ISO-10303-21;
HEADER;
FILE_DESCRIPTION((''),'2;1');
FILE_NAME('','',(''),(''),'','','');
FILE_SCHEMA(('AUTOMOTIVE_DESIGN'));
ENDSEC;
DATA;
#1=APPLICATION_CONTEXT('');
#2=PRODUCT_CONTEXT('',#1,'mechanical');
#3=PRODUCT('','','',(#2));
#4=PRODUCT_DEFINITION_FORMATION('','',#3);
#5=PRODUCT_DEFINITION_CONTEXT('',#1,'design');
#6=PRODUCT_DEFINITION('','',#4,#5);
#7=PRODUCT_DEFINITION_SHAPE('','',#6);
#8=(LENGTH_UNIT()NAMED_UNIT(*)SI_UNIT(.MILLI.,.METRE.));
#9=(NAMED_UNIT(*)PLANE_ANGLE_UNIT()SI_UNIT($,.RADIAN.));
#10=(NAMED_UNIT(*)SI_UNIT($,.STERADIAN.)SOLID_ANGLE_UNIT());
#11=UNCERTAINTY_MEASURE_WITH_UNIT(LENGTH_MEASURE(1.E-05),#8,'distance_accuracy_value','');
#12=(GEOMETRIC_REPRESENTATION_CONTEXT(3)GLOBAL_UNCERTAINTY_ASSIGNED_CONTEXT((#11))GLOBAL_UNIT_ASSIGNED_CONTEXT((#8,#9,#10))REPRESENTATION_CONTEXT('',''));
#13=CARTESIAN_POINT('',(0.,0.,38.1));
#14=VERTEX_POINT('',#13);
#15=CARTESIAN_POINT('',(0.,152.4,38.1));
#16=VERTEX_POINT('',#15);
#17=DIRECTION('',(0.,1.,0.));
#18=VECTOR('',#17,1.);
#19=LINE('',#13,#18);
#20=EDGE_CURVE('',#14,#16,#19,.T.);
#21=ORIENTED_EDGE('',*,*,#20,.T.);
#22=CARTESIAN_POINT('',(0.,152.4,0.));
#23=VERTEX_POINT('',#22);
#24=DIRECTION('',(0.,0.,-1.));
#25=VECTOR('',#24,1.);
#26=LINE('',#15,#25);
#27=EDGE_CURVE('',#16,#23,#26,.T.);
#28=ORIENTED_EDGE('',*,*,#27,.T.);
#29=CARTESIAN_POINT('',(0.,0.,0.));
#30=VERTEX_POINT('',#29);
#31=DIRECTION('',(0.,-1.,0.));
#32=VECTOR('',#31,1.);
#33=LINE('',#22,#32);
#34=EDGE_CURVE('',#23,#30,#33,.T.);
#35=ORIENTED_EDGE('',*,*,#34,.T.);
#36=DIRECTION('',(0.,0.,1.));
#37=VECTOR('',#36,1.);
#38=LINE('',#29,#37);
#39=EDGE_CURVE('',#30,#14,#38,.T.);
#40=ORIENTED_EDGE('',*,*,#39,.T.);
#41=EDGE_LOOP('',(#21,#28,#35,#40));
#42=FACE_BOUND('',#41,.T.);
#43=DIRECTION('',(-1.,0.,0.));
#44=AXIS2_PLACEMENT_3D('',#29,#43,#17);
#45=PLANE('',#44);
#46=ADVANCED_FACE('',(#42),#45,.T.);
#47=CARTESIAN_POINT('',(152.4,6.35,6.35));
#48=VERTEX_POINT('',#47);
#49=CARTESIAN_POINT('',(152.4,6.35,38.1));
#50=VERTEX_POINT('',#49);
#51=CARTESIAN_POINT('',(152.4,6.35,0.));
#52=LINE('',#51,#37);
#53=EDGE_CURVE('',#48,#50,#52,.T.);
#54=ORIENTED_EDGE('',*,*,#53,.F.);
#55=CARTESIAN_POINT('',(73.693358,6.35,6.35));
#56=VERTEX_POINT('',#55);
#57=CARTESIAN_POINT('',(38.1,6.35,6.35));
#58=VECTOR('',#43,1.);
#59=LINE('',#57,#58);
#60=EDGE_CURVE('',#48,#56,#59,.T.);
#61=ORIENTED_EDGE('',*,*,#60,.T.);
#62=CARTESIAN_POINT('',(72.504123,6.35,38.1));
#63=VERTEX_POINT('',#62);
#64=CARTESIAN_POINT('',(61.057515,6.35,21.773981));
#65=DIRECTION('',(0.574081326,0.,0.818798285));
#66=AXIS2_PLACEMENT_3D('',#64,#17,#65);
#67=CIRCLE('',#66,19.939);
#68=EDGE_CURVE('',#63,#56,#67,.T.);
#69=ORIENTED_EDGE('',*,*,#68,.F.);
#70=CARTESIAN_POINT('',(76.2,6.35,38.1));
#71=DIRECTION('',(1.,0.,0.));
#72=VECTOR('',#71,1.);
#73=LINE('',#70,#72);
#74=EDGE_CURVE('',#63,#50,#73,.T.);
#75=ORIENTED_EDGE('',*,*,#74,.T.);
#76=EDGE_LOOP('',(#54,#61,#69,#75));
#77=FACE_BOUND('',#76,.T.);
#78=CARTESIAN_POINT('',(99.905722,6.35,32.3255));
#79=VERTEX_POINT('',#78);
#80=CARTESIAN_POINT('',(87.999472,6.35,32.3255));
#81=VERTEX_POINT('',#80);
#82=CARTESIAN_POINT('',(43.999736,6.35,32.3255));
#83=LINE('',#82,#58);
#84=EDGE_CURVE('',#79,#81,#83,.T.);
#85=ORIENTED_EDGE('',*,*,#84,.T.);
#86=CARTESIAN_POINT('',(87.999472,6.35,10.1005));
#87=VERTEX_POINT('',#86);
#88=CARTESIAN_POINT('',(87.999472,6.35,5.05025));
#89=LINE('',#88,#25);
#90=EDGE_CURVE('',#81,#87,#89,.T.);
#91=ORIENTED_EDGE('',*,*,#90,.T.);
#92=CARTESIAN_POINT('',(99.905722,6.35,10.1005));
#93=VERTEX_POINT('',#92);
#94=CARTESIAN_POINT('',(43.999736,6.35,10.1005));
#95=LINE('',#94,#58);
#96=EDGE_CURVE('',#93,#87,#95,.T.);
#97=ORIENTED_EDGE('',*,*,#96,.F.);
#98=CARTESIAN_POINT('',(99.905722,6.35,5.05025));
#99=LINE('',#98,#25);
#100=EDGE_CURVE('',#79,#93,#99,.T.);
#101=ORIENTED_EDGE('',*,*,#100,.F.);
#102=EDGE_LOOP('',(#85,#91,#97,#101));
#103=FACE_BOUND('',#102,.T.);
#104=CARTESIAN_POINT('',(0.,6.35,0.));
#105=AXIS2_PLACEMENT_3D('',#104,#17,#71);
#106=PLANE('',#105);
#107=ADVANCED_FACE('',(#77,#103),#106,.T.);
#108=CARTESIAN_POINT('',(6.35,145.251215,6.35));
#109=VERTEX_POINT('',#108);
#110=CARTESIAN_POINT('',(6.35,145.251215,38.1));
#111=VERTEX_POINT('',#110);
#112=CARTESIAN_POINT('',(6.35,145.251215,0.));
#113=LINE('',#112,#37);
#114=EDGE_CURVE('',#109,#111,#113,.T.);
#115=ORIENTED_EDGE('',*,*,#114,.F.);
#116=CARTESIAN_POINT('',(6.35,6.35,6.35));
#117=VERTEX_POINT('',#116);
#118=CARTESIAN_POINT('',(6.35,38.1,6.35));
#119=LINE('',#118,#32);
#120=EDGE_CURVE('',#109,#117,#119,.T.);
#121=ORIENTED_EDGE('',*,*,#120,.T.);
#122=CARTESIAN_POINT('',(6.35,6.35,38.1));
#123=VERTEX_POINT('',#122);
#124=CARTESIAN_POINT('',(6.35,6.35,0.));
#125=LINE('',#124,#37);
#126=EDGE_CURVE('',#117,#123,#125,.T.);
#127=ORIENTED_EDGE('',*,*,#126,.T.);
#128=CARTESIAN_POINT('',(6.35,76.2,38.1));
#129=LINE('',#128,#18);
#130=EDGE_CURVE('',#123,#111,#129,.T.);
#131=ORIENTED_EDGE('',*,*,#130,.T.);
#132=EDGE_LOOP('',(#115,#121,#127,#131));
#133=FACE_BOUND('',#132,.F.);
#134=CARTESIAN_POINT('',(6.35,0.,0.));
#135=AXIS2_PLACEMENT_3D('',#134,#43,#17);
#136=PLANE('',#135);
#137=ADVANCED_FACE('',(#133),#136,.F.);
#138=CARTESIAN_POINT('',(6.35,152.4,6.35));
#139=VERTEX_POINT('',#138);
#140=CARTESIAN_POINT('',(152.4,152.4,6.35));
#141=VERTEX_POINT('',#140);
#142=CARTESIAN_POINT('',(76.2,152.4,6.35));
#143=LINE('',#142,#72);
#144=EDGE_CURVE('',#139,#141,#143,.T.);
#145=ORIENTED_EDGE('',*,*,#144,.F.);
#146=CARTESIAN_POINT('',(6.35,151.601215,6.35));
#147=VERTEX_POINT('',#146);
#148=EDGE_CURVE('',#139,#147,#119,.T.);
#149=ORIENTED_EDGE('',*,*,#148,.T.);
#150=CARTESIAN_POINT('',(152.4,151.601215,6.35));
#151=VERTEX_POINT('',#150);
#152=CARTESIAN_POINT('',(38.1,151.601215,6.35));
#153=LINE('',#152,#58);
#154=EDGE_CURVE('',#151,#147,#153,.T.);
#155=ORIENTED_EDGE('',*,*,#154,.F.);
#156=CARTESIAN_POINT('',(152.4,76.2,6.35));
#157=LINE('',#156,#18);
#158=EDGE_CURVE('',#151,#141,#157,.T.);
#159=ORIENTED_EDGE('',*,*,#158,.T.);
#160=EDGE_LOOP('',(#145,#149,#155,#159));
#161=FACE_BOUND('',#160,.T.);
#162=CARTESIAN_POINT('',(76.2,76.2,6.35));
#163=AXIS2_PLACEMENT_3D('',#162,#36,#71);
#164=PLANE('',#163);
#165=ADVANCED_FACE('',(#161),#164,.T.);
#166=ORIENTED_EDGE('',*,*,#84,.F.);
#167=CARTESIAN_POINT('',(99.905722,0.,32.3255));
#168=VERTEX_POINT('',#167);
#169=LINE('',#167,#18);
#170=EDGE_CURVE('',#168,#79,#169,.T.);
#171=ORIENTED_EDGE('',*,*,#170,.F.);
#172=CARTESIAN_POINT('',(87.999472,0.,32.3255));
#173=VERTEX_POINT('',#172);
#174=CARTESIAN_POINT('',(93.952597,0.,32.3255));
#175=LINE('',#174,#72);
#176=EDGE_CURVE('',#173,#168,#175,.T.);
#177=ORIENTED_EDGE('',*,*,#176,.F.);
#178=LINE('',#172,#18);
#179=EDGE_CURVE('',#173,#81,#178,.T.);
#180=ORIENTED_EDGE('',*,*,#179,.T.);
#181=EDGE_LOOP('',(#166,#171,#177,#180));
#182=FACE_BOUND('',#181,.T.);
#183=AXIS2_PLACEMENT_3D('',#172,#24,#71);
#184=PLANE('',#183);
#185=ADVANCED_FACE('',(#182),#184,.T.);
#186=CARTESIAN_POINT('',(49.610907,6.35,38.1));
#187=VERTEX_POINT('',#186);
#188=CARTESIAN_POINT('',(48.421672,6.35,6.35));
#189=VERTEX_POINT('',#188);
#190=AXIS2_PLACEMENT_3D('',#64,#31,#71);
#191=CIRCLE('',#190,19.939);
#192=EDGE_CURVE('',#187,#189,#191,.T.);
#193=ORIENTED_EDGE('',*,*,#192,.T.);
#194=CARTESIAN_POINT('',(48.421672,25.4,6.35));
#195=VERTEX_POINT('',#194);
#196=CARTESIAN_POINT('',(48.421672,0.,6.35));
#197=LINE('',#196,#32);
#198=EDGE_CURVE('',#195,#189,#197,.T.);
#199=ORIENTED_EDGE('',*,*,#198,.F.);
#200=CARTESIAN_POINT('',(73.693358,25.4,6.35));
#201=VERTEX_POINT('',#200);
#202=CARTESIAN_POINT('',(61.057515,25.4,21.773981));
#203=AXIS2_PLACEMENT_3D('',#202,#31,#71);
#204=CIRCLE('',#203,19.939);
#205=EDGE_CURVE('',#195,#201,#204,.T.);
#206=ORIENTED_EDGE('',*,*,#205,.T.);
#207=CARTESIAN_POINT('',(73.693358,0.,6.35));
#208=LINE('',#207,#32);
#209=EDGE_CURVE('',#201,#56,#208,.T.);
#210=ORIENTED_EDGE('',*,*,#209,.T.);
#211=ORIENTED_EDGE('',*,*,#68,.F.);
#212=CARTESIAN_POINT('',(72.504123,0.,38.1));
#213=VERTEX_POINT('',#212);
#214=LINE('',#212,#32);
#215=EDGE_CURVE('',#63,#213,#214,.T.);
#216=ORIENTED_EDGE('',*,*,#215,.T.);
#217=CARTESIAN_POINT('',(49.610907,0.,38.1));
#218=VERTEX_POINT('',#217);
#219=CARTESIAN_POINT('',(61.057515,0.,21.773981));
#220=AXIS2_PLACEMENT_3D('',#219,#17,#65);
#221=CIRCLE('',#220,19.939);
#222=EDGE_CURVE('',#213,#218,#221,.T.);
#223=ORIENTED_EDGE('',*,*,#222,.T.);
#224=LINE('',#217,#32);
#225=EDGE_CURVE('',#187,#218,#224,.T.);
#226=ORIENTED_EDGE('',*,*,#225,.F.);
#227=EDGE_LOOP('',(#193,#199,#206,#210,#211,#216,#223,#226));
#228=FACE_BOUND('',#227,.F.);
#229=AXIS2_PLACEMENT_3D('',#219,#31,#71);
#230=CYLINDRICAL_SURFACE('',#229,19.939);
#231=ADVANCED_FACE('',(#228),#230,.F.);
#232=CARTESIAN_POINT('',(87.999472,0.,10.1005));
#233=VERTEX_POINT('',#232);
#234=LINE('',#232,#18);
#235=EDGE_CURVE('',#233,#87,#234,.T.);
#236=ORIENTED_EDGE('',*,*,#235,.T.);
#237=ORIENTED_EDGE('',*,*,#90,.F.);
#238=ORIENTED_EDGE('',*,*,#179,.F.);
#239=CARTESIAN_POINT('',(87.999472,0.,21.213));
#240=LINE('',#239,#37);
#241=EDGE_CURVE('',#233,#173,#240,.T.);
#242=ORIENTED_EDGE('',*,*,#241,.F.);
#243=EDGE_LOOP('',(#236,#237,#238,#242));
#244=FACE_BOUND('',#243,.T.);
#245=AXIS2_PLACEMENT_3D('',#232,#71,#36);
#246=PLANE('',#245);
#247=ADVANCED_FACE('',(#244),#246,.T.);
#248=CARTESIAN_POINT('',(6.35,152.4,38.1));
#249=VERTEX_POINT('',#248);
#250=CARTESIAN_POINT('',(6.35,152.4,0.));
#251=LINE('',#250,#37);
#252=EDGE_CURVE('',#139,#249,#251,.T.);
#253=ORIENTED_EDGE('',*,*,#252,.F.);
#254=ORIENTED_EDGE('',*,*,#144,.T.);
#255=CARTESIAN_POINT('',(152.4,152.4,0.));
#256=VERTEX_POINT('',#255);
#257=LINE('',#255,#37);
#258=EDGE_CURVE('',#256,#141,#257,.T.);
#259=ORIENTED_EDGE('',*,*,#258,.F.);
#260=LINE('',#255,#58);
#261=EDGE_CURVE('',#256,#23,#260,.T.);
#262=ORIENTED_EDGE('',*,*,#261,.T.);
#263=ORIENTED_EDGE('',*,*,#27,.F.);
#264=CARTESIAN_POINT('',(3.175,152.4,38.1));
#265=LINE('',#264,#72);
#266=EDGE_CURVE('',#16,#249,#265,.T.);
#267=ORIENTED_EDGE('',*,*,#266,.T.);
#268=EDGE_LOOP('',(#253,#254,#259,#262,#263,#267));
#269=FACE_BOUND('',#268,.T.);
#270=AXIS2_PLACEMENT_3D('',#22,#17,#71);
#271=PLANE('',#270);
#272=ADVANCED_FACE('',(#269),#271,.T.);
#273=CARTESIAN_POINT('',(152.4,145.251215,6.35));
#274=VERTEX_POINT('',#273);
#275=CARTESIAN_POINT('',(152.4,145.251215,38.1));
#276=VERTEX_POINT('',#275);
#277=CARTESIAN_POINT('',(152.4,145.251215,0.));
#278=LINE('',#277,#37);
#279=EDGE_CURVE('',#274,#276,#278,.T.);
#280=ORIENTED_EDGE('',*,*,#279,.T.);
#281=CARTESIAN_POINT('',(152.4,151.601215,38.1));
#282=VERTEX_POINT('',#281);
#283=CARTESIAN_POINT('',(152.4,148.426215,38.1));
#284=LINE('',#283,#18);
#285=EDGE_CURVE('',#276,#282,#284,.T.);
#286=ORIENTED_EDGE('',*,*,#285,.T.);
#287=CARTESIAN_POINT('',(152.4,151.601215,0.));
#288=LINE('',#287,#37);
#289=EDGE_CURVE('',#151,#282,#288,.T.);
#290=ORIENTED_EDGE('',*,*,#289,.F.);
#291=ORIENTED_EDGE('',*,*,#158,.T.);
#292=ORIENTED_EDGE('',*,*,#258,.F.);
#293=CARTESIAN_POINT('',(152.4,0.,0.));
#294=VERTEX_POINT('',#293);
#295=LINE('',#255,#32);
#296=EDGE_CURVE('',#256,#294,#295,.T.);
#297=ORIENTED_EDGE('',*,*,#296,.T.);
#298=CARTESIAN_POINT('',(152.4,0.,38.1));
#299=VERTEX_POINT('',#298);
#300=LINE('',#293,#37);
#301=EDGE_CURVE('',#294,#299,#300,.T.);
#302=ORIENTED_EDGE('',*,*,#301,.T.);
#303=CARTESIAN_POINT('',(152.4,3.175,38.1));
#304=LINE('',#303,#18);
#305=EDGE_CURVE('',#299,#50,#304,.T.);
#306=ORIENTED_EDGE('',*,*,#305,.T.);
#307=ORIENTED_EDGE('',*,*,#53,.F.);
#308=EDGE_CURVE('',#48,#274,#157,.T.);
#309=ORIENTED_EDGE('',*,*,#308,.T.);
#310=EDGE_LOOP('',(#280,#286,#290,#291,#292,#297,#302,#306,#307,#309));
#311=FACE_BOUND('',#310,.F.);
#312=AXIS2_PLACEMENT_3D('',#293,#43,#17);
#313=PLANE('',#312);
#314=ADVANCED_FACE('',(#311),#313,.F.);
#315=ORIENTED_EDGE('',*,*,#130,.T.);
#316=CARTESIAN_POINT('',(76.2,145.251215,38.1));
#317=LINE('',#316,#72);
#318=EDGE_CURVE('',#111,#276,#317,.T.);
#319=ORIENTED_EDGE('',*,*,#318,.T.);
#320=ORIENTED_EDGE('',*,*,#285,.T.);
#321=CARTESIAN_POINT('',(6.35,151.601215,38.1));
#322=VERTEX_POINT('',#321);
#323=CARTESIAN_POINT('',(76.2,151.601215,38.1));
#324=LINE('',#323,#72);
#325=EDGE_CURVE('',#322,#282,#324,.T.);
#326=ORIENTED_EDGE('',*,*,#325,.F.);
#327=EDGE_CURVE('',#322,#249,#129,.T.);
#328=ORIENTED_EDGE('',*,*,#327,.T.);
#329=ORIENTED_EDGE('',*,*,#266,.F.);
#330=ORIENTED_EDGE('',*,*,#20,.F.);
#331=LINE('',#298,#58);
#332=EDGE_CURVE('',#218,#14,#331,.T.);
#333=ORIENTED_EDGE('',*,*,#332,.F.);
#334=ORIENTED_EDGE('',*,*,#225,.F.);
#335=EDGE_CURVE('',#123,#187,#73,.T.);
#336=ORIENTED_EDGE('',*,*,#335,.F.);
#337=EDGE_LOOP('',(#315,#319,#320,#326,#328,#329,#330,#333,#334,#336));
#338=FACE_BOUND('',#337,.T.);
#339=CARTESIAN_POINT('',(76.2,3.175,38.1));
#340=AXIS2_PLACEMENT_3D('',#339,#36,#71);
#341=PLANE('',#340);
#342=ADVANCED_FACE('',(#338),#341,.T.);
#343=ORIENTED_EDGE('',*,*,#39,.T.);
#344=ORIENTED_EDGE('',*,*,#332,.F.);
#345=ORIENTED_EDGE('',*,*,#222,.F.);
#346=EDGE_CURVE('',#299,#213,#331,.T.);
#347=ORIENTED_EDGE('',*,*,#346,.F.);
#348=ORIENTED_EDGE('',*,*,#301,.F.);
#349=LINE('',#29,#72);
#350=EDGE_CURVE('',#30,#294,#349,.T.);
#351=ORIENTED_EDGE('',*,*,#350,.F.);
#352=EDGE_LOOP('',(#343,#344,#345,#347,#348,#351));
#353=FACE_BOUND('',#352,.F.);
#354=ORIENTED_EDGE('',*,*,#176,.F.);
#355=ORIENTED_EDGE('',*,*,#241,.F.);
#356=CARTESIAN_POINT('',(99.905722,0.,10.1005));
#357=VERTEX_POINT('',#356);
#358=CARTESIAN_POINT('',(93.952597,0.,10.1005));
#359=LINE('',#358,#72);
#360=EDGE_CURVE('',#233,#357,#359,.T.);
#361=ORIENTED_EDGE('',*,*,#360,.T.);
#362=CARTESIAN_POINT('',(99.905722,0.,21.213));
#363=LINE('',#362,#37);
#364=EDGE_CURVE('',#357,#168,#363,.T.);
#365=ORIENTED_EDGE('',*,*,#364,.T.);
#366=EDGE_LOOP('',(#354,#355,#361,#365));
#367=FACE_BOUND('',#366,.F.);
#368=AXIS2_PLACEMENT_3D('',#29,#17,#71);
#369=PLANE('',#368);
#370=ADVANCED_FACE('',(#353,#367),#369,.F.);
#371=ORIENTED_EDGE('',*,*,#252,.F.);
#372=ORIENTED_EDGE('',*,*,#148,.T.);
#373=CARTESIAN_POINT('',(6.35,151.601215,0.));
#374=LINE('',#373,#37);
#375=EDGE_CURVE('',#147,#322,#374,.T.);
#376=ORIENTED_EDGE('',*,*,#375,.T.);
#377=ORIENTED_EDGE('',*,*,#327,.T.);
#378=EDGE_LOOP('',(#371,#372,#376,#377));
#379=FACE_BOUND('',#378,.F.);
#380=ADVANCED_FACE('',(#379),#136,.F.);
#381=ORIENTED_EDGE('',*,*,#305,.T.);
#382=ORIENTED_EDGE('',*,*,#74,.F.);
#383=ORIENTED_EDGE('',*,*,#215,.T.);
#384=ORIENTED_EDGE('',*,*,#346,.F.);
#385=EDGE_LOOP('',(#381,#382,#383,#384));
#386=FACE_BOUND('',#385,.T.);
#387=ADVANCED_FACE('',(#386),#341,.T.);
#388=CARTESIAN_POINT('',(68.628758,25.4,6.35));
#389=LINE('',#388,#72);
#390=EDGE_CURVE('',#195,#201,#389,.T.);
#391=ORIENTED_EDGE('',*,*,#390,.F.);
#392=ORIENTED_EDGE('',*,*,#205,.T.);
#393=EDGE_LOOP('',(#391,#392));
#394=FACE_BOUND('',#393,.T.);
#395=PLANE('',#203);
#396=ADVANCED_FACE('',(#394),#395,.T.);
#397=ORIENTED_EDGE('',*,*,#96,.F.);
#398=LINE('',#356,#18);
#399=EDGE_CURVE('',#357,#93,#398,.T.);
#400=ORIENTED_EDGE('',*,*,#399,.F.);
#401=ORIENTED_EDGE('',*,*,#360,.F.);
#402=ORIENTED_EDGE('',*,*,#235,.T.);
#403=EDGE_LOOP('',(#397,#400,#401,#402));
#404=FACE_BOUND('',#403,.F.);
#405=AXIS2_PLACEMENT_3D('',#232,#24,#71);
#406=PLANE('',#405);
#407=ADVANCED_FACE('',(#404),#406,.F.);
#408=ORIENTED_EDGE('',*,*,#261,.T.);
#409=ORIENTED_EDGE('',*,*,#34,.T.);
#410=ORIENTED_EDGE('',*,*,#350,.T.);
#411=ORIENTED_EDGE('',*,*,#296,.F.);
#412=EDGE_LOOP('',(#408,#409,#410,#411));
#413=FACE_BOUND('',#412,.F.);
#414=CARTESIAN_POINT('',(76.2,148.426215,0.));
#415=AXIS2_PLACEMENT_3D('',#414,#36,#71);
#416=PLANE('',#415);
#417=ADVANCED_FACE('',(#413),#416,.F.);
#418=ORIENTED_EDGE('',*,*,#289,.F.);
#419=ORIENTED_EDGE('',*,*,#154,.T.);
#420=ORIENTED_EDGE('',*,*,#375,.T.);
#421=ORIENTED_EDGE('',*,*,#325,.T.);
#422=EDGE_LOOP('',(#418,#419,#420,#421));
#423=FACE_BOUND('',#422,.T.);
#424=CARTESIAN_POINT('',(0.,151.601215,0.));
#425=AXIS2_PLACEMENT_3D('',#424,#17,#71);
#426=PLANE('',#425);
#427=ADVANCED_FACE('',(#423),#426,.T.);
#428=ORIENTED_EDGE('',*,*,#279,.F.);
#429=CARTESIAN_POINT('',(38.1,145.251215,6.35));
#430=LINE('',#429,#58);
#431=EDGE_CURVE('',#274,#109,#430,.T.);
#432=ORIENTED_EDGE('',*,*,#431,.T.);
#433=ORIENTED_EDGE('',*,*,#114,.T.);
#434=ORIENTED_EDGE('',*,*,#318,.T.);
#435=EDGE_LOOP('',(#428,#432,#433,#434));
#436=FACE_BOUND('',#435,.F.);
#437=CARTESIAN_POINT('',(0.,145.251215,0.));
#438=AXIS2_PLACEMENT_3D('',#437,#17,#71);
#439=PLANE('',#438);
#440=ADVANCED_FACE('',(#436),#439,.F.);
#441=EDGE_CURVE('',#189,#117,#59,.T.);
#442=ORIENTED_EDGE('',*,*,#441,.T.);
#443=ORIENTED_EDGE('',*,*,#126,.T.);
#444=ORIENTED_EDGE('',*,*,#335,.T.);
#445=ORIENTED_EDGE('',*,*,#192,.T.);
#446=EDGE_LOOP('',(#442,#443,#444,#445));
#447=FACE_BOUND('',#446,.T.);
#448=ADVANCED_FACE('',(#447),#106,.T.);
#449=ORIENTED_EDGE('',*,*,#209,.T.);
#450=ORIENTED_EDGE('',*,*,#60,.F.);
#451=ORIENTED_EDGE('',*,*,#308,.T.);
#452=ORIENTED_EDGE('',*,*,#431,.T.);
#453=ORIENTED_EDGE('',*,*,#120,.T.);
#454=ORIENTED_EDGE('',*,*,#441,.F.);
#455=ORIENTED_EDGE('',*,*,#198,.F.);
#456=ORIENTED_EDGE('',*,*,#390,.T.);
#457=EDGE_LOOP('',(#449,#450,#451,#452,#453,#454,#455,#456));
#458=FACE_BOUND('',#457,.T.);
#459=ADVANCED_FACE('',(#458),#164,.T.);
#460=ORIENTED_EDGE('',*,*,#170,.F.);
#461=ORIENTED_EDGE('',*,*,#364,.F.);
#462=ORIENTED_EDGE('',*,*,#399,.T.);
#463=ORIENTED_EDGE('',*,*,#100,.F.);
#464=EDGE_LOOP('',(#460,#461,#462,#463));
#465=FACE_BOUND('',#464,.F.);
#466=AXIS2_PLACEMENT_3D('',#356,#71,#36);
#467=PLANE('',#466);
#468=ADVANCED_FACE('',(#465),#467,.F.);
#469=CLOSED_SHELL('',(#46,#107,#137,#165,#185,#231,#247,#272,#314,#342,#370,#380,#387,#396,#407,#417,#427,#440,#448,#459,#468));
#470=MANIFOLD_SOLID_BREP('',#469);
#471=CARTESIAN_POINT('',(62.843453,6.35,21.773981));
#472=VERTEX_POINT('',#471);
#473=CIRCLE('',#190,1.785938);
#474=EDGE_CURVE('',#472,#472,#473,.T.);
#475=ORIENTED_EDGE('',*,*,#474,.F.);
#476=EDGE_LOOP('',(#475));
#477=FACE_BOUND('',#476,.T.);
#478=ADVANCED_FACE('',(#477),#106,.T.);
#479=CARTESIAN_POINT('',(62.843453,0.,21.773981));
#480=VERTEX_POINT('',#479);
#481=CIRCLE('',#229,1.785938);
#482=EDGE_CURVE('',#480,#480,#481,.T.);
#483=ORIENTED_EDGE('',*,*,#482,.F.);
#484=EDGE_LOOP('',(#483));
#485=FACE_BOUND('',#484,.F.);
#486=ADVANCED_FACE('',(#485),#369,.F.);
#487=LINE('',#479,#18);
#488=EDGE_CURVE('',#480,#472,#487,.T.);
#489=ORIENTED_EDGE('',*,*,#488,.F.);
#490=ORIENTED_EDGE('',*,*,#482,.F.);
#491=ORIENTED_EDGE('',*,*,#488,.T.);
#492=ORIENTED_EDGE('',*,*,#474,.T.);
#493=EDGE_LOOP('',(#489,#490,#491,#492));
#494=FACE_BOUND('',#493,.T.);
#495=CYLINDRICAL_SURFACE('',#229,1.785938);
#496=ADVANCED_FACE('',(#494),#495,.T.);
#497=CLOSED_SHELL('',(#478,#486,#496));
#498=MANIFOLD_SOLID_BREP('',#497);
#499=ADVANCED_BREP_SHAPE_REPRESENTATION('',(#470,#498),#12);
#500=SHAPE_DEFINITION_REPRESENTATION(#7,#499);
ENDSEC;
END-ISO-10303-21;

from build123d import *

# Parameters (mm, degrees)
F0_W      = 152.4
F0_H      = 152.4
F1_DEPTH  = 6.35
F2_W      = 152.4
F2_H      = 6.35
F3_DEPTH  = 38.1
F4_W      = 152.4
F4_H      = 6.35
F5_DEPTH  = 38.1
F6_W      = 6.35
F6_H      = 152.4
F7_DEPTH  = 38.1
F8_W      = 11.90625
F8_H      = 22.225
F8_R      = 19.939
F8_R_2    = 1.785938
F9_DEPTH  = 25.4
F10_DEPTH = 25.4


with BuildPart() as f1:
    # F0 (on Top) → F1 (new body)
    with BuildSketch(Plane.XY):
        with Locations((76.2, 76.2)):
            Rectangle(F0_W, F0_H)
    extrude(amount=F1_DEPTH)

    # F2 (on Top) → F3 (join)
    with BuildSketch(Plane.XY):
        with Locations((76.2, 3.175)):
            Rectangle(F2_W, F2_H)
    extrude(amount=F3_DEPTH)

    # F4 (on Top) → F5 (join)
    with BuildSketch(Plane.XY):
        with Locations((76.2, 148.426215)):
            Rectangle(F4_W, F4_H)
    extrude(amount=F5_DEPTH)

    # F6 (on Top) → F7 (join)
    with BuildSketch(Plane.XY):
        with Locations((3.175, 76.2)):
            Rectangle(F6_W, F6_H)
    extrude(amount=F7_DEPTH)

    # F8 (on Front) → F9 (cut)
    with BuildSketch(Plane.XZ):
        with Locations((93.952597, 21.213)):
            Rectangle(F8_W, F8_H)
        with Locations((61.057515, 21.773981)):
            Circle(F8_R)
        with Locations((61.057515, 21.773981)):
            Circle(F8_R_2, mode=Mode.SUBTRACT)
    extrude(amount=-F9_DEPTH, mode=Mode.SUBTRACT)

    # F8 (on Front) → F10 (cut)
    with BuildSketch(Plane.XZ):
        with Locations((93.952597, 21.213)):
            Rectangle(F8_W, F8_H)
    extrude(amount=-F10_DEPTH, mode=Mode.SUBTRACT)


solid = f1.part
